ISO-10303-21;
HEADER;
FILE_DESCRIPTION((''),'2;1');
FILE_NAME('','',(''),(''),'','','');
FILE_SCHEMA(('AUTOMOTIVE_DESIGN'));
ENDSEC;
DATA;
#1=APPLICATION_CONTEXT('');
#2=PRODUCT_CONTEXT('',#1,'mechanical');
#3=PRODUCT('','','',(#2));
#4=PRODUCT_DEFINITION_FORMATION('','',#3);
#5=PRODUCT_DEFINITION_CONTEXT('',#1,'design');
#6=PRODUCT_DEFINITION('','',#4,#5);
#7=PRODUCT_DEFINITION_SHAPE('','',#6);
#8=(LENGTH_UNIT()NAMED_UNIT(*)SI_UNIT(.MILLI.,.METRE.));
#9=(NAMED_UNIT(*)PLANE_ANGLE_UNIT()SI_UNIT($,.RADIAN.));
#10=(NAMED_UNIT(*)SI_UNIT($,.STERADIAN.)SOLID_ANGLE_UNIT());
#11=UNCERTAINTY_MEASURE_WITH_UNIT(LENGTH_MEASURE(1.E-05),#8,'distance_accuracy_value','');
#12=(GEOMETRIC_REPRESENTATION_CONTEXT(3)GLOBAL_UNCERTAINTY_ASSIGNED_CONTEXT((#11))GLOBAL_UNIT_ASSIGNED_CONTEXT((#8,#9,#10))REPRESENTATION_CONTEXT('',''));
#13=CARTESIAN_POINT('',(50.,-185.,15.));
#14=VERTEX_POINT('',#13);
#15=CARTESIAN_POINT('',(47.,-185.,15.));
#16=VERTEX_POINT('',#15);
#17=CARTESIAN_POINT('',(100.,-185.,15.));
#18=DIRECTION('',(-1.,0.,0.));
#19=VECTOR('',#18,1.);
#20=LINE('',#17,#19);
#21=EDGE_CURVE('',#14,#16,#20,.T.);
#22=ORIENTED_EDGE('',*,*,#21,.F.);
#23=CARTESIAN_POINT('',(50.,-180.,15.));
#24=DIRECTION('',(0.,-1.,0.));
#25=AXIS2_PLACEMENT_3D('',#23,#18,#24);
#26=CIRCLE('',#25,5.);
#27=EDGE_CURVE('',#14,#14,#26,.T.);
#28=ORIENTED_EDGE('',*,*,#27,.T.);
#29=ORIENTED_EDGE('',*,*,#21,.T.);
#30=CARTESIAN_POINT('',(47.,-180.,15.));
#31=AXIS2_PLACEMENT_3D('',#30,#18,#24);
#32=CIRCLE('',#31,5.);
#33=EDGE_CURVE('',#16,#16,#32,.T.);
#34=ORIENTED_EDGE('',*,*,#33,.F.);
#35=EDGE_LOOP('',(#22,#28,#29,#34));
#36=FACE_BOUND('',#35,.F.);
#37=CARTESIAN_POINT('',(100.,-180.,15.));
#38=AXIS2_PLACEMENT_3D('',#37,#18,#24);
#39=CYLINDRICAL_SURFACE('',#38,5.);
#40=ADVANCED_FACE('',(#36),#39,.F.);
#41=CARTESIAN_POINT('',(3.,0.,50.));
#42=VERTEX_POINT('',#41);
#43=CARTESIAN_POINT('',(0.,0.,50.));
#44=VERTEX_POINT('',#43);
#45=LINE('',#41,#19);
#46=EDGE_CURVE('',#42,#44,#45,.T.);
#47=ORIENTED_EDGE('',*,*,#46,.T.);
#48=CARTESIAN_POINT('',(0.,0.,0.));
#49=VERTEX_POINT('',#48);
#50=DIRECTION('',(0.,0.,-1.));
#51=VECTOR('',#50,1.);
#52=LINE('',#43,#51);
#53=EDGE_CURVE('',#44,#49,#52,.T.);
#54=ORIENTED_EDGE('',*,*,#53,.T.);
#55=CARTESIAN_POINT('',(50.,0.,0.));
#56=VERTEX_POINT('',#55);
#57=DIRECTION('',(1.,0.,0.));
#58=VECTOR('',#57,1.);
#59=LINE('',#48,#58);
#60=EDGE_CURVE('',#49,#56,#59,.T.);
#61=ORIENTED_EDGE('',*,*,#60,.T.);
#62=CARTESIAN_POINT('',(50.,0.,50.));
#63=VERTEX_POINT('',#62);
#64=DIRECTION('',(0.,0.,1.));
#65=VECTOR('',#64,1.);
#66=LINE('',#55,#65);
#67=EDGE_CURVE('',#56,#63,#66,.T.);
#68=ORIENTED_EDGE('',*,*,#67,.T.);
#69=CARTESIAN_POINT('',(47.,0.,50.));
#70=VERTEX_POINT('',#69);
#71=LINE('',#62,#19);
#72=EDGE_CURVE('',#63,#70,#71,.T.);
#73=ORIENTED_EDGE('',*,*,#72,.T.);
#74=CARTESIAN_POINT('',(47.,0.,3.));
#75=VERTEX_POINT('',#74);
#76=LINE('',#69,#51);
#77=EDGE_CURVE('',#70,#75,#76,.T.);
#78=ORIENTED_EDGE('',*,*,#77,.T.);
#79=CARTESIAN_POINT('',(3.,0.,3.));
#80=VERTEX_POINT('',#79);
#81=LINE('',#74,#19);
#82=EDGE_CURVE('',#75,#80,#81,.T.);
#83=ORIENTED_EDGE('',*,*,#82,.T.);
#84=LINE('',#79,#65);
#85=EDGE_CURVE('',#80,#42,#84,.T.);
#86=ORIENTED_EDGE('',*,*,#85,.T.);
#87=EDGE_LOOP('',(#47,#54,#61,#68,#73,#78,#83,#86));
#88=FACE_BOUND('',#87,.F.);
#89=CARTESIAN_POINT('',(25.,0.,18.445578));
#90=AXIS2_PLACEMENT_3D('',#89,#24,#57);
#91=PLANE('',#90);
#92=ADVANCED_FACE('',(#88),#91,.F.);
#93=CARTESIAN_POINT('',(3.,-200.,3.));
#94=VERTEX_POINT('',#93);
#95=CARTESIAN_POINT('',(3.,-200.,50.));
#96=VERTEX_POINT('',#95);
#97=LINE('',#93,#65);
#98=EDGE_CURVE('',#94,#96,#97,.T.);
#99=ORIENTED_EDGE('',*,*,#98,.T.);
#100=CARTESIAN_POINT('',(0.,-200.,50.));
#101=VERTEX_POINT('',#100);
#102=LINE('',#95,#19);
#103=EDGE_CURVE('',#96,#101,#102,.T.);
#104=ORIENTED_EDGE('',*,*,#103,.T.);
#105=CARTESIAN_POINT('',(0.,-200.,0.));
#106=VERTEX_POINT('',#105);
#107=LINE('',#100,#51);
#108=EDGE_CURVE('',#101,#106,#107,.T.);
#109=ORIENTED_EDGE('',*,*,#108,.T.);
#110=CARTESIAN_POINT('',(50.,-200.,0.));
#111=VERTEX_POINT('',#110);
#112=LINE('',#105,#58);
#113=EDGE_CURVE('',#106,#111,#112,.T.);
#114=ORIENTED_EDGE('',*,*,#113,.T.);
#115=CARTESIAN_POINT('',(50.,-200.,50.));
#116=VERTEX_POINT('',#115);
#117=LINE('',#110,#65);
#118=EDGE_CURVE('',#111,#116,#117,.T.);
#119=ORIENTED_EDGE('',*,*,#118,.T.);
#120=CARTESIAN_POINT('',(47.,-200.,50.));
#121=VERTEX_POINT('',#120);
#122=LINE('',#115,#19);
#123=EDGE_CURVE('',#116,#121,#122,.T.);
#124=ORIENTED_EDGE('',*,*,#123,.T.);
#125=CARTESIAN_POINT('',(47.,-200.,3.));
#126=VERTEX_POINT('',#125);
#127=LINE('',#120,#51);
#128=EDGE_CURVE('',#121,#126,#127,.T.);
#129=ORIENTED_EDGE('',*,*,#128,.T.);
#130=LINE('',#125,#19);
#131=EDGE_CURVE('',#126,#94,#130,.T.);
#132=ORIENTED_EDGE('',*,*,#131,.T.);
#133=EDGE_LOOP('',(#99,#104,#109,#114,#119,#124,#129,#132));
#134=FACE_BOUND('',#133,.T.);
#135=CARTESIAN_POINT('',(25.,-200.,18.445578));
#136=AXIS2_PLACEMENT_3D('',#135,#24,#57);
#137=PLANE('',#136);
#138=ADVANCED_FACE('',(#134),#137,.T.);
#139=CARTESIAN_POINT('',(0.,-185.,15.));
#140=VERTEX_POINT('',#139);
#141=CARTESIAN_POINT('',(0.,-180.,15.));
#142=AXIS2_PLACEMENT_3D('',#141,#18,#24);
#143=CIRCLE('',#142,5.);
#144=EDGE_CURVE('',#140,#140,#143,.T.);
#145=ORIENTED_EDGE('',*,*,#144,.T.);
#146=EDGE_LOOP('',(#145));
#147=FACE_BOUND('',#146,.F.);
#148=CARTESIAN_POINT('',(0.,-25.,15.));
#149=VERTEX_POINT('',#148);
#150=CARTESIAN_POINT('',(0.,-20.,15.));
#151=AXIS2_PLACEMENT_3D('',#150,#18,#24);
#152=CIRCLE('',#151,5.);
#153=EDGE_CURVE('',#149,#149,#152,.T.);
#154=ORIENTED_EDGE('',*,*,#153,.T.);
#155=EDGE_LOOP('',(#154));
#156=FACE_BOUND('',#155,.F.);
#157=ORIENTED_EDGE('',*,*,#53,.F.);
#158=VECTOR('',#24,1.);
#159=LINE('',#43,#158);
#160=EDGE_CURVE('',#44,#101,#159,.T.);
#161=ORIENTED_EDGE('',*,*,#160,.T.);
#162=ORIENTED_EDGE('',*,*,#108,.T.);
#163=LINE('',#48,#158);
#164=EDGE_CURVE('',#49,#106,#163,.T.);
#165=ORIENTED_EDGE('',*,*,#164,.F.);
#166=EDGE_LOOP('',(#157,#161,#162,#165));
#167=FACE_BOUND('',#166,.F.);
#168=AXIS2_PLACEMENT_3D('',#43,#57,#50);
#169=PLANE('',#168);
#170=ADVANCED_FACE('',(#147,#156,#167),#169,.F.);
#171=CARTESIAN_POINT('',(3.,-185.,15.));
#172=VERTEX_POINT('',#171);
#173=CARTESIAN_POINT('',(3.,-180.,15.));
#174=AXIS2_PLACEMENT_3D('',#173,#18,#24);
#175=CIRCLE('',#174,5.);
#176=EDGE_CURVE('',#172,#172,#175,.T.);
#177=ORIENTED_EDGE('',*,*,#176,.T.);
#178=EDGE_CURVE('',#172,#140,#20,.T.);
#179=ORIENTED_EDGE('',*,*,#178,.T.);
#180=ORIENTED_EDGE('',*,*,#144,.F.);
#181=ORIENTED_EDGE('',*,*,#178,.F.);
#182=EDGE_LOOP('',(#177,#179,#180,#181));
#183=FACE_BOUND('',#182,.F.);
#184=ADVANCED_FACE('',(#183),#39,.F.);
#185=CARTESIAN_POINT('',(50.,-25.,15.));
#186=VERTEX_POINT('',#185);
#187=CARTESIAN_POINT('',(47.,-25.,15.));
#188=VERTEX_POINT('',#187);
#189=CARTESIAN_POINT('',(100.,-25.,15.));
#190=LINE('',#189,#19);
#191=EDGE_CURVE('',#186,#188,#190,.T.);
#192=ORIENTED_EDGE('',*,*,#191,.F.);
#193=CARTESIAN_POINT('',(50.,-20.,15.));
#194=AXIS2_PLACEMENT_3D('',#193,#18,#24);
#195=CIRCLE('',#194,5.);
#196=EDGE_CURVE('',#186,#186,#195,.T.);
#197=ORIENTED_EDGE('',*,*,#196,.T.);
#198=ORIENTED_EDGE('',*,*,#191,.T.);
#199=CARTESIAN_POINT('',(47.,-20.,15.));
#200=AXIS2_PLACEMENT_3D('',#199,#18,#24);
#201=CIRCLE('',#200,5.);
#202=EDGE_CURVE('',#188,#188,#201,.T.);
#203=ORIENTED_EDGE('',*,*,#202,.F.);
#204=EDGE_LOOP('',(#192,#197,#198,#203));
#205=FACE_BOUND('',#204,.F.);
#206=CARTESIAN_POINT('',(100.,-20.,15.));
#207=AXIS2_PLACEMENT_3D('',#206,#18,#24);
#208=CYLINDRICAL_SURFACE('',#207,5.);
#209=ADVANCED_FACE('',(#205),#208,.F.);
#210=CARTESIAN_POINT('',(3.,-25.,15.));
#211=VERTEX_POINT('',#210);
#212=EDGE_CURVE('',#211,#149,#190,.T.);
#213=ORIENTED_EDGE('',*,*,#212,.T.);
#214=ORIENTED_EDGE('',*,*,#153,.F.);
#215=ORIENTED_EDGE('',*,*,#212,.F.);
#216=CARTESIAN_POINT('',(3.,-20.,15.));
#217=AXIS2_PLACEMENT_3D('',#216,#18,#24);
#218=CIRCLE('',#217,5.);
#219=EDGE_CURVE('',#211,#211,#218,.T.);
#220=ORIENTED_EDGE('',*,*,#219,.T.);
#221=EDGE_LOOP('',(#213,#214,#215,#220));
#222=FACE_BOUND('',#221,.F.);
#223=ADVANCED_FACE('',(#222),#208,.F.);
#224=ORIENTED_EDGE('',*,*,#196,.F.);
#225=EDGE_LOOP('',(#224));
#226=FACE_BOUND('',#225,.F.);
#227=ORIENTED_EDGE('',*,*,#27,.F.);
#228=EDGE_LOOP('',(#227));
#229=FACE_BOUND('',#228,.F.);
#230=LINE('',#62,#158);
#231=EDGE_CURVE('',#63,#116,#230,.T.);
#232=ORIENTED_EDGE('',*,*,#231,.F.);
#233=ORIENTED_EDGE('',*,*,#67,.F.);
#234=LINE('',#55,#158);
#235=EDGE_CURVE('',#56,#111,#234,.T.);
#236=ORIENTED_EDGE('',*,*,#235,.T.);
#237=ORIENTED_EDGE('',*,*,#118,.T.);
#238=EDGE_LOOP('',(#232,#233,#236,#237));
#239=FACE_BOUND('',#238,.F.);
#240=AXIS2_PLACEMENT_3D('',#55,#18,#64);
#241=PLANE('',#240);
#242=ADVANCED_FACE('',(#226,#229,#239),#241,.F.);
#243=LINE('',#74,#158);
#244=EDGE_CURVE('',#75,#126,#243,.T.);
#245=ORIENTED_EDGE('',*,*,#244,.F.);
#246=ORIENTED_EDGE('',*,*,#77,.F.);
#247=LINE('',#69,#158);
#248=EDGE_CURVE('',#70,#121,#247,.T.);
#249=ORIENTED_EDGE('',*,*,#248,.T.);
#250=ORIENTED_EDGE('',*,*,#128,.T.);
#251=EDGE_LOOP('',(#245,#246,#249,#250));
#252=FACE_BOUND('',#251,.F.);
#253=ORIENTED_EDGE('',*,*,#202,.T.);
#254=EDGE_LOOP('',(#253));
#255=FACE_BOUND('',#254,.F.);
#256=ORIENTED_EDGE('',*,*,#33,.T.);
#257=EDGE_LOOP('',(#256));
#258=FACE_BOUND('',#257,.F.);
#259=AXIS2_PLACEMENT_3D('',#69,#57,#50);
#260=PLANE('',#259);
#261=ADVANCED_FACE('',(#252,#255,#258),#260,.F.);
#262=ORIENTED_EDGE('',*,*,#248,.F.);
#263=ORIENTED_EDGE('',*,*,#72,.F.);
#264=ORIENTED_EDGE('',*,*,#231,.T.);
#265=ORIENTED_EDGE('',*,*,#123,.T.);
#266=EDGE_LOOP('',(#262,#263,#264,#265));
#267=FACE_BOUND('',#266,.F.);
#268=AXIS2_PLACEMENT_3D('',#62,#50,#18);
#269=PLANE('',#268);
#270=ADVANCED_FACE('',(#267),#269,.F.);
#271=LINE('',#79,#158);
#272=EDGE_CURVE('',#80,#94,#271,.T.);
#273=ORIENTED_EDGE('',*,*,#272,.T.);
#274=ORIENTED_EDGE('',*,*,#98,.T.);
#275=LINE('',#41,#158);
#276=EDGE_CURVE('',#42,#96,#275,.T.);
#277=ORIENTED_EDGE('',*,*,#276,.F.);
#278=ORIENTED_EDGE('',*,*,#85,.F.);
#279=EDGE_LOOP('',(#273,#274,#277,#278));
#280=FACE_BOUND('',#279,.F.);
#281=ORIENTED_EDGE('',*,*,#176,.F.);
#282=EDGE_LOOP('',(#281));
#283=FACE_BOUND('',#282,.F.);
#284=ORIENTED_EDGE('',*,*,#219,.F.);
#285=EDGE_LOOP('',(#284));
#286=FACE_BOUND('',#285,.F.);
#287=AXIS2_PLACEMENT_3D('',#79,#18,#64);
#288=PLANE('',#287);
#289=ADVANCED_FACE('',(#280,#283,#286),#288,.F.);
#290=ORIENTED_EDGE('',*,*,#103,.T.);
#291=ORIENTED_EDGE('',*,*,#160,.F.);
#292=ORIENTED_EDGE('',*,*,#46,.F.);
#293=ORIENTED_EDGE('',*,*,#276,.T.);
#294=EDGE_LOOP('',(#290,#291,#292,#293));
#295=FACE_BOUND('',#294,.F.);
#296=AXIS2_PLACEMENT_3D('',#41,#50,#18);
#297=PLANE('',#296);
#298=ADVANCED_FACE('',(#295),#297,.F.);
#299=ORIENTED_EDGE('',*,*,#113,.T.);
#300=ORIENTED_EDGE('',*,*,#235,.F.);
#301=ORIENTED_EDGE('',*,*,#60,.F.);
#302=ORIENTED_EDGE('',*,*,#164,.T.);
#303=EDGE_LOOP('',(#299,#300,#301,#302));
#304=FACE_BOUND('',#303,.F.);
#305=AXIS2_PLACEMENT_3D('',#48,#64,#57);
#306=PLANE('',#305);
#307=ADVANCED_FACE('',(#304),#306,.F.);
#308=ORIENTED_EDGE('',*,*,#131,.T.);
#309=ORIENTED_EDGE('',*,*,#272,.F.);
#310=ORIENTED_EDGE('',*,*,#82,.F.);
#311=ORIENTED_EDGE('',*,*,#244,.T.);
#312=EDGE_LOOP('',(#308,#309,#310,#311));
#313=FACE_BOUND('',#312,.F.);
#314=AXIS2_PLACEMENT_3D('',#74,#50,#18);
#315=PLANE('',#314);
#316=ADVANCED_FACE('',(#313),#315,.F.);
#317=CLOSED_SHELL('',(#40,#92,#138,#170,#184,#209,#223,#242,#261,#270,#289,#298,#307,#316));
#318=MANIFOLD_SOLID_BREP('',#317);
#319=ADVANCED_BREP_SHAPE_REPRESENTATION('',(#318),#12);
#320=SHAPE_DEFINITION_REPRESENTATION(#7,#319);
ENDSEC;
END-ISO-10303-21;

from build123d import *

# Parameters (mm, degrees)
F1_DEPTH = 200
F3_D     = 10
F3_DEPTH = 50


with BuildPart() as f1:
    # F0 (on Front) → F1 (new body)
    with BuildSketch(Plane.XZ):
        Polygon((0, 50), (0, 0), (50, 0), (50, 50), (47, 50), (47, 3), (3, 3), (3, 50), align=None)
    extrude(amount=F1_DEPTH)

    # F3
    with Locations(Plane.YZ.offset(50)):
        with Locations((-180, 15), (-20, 15)):
            Hole(F3_D / 2, depth=F3_DEPTH)


solid = f1.part
